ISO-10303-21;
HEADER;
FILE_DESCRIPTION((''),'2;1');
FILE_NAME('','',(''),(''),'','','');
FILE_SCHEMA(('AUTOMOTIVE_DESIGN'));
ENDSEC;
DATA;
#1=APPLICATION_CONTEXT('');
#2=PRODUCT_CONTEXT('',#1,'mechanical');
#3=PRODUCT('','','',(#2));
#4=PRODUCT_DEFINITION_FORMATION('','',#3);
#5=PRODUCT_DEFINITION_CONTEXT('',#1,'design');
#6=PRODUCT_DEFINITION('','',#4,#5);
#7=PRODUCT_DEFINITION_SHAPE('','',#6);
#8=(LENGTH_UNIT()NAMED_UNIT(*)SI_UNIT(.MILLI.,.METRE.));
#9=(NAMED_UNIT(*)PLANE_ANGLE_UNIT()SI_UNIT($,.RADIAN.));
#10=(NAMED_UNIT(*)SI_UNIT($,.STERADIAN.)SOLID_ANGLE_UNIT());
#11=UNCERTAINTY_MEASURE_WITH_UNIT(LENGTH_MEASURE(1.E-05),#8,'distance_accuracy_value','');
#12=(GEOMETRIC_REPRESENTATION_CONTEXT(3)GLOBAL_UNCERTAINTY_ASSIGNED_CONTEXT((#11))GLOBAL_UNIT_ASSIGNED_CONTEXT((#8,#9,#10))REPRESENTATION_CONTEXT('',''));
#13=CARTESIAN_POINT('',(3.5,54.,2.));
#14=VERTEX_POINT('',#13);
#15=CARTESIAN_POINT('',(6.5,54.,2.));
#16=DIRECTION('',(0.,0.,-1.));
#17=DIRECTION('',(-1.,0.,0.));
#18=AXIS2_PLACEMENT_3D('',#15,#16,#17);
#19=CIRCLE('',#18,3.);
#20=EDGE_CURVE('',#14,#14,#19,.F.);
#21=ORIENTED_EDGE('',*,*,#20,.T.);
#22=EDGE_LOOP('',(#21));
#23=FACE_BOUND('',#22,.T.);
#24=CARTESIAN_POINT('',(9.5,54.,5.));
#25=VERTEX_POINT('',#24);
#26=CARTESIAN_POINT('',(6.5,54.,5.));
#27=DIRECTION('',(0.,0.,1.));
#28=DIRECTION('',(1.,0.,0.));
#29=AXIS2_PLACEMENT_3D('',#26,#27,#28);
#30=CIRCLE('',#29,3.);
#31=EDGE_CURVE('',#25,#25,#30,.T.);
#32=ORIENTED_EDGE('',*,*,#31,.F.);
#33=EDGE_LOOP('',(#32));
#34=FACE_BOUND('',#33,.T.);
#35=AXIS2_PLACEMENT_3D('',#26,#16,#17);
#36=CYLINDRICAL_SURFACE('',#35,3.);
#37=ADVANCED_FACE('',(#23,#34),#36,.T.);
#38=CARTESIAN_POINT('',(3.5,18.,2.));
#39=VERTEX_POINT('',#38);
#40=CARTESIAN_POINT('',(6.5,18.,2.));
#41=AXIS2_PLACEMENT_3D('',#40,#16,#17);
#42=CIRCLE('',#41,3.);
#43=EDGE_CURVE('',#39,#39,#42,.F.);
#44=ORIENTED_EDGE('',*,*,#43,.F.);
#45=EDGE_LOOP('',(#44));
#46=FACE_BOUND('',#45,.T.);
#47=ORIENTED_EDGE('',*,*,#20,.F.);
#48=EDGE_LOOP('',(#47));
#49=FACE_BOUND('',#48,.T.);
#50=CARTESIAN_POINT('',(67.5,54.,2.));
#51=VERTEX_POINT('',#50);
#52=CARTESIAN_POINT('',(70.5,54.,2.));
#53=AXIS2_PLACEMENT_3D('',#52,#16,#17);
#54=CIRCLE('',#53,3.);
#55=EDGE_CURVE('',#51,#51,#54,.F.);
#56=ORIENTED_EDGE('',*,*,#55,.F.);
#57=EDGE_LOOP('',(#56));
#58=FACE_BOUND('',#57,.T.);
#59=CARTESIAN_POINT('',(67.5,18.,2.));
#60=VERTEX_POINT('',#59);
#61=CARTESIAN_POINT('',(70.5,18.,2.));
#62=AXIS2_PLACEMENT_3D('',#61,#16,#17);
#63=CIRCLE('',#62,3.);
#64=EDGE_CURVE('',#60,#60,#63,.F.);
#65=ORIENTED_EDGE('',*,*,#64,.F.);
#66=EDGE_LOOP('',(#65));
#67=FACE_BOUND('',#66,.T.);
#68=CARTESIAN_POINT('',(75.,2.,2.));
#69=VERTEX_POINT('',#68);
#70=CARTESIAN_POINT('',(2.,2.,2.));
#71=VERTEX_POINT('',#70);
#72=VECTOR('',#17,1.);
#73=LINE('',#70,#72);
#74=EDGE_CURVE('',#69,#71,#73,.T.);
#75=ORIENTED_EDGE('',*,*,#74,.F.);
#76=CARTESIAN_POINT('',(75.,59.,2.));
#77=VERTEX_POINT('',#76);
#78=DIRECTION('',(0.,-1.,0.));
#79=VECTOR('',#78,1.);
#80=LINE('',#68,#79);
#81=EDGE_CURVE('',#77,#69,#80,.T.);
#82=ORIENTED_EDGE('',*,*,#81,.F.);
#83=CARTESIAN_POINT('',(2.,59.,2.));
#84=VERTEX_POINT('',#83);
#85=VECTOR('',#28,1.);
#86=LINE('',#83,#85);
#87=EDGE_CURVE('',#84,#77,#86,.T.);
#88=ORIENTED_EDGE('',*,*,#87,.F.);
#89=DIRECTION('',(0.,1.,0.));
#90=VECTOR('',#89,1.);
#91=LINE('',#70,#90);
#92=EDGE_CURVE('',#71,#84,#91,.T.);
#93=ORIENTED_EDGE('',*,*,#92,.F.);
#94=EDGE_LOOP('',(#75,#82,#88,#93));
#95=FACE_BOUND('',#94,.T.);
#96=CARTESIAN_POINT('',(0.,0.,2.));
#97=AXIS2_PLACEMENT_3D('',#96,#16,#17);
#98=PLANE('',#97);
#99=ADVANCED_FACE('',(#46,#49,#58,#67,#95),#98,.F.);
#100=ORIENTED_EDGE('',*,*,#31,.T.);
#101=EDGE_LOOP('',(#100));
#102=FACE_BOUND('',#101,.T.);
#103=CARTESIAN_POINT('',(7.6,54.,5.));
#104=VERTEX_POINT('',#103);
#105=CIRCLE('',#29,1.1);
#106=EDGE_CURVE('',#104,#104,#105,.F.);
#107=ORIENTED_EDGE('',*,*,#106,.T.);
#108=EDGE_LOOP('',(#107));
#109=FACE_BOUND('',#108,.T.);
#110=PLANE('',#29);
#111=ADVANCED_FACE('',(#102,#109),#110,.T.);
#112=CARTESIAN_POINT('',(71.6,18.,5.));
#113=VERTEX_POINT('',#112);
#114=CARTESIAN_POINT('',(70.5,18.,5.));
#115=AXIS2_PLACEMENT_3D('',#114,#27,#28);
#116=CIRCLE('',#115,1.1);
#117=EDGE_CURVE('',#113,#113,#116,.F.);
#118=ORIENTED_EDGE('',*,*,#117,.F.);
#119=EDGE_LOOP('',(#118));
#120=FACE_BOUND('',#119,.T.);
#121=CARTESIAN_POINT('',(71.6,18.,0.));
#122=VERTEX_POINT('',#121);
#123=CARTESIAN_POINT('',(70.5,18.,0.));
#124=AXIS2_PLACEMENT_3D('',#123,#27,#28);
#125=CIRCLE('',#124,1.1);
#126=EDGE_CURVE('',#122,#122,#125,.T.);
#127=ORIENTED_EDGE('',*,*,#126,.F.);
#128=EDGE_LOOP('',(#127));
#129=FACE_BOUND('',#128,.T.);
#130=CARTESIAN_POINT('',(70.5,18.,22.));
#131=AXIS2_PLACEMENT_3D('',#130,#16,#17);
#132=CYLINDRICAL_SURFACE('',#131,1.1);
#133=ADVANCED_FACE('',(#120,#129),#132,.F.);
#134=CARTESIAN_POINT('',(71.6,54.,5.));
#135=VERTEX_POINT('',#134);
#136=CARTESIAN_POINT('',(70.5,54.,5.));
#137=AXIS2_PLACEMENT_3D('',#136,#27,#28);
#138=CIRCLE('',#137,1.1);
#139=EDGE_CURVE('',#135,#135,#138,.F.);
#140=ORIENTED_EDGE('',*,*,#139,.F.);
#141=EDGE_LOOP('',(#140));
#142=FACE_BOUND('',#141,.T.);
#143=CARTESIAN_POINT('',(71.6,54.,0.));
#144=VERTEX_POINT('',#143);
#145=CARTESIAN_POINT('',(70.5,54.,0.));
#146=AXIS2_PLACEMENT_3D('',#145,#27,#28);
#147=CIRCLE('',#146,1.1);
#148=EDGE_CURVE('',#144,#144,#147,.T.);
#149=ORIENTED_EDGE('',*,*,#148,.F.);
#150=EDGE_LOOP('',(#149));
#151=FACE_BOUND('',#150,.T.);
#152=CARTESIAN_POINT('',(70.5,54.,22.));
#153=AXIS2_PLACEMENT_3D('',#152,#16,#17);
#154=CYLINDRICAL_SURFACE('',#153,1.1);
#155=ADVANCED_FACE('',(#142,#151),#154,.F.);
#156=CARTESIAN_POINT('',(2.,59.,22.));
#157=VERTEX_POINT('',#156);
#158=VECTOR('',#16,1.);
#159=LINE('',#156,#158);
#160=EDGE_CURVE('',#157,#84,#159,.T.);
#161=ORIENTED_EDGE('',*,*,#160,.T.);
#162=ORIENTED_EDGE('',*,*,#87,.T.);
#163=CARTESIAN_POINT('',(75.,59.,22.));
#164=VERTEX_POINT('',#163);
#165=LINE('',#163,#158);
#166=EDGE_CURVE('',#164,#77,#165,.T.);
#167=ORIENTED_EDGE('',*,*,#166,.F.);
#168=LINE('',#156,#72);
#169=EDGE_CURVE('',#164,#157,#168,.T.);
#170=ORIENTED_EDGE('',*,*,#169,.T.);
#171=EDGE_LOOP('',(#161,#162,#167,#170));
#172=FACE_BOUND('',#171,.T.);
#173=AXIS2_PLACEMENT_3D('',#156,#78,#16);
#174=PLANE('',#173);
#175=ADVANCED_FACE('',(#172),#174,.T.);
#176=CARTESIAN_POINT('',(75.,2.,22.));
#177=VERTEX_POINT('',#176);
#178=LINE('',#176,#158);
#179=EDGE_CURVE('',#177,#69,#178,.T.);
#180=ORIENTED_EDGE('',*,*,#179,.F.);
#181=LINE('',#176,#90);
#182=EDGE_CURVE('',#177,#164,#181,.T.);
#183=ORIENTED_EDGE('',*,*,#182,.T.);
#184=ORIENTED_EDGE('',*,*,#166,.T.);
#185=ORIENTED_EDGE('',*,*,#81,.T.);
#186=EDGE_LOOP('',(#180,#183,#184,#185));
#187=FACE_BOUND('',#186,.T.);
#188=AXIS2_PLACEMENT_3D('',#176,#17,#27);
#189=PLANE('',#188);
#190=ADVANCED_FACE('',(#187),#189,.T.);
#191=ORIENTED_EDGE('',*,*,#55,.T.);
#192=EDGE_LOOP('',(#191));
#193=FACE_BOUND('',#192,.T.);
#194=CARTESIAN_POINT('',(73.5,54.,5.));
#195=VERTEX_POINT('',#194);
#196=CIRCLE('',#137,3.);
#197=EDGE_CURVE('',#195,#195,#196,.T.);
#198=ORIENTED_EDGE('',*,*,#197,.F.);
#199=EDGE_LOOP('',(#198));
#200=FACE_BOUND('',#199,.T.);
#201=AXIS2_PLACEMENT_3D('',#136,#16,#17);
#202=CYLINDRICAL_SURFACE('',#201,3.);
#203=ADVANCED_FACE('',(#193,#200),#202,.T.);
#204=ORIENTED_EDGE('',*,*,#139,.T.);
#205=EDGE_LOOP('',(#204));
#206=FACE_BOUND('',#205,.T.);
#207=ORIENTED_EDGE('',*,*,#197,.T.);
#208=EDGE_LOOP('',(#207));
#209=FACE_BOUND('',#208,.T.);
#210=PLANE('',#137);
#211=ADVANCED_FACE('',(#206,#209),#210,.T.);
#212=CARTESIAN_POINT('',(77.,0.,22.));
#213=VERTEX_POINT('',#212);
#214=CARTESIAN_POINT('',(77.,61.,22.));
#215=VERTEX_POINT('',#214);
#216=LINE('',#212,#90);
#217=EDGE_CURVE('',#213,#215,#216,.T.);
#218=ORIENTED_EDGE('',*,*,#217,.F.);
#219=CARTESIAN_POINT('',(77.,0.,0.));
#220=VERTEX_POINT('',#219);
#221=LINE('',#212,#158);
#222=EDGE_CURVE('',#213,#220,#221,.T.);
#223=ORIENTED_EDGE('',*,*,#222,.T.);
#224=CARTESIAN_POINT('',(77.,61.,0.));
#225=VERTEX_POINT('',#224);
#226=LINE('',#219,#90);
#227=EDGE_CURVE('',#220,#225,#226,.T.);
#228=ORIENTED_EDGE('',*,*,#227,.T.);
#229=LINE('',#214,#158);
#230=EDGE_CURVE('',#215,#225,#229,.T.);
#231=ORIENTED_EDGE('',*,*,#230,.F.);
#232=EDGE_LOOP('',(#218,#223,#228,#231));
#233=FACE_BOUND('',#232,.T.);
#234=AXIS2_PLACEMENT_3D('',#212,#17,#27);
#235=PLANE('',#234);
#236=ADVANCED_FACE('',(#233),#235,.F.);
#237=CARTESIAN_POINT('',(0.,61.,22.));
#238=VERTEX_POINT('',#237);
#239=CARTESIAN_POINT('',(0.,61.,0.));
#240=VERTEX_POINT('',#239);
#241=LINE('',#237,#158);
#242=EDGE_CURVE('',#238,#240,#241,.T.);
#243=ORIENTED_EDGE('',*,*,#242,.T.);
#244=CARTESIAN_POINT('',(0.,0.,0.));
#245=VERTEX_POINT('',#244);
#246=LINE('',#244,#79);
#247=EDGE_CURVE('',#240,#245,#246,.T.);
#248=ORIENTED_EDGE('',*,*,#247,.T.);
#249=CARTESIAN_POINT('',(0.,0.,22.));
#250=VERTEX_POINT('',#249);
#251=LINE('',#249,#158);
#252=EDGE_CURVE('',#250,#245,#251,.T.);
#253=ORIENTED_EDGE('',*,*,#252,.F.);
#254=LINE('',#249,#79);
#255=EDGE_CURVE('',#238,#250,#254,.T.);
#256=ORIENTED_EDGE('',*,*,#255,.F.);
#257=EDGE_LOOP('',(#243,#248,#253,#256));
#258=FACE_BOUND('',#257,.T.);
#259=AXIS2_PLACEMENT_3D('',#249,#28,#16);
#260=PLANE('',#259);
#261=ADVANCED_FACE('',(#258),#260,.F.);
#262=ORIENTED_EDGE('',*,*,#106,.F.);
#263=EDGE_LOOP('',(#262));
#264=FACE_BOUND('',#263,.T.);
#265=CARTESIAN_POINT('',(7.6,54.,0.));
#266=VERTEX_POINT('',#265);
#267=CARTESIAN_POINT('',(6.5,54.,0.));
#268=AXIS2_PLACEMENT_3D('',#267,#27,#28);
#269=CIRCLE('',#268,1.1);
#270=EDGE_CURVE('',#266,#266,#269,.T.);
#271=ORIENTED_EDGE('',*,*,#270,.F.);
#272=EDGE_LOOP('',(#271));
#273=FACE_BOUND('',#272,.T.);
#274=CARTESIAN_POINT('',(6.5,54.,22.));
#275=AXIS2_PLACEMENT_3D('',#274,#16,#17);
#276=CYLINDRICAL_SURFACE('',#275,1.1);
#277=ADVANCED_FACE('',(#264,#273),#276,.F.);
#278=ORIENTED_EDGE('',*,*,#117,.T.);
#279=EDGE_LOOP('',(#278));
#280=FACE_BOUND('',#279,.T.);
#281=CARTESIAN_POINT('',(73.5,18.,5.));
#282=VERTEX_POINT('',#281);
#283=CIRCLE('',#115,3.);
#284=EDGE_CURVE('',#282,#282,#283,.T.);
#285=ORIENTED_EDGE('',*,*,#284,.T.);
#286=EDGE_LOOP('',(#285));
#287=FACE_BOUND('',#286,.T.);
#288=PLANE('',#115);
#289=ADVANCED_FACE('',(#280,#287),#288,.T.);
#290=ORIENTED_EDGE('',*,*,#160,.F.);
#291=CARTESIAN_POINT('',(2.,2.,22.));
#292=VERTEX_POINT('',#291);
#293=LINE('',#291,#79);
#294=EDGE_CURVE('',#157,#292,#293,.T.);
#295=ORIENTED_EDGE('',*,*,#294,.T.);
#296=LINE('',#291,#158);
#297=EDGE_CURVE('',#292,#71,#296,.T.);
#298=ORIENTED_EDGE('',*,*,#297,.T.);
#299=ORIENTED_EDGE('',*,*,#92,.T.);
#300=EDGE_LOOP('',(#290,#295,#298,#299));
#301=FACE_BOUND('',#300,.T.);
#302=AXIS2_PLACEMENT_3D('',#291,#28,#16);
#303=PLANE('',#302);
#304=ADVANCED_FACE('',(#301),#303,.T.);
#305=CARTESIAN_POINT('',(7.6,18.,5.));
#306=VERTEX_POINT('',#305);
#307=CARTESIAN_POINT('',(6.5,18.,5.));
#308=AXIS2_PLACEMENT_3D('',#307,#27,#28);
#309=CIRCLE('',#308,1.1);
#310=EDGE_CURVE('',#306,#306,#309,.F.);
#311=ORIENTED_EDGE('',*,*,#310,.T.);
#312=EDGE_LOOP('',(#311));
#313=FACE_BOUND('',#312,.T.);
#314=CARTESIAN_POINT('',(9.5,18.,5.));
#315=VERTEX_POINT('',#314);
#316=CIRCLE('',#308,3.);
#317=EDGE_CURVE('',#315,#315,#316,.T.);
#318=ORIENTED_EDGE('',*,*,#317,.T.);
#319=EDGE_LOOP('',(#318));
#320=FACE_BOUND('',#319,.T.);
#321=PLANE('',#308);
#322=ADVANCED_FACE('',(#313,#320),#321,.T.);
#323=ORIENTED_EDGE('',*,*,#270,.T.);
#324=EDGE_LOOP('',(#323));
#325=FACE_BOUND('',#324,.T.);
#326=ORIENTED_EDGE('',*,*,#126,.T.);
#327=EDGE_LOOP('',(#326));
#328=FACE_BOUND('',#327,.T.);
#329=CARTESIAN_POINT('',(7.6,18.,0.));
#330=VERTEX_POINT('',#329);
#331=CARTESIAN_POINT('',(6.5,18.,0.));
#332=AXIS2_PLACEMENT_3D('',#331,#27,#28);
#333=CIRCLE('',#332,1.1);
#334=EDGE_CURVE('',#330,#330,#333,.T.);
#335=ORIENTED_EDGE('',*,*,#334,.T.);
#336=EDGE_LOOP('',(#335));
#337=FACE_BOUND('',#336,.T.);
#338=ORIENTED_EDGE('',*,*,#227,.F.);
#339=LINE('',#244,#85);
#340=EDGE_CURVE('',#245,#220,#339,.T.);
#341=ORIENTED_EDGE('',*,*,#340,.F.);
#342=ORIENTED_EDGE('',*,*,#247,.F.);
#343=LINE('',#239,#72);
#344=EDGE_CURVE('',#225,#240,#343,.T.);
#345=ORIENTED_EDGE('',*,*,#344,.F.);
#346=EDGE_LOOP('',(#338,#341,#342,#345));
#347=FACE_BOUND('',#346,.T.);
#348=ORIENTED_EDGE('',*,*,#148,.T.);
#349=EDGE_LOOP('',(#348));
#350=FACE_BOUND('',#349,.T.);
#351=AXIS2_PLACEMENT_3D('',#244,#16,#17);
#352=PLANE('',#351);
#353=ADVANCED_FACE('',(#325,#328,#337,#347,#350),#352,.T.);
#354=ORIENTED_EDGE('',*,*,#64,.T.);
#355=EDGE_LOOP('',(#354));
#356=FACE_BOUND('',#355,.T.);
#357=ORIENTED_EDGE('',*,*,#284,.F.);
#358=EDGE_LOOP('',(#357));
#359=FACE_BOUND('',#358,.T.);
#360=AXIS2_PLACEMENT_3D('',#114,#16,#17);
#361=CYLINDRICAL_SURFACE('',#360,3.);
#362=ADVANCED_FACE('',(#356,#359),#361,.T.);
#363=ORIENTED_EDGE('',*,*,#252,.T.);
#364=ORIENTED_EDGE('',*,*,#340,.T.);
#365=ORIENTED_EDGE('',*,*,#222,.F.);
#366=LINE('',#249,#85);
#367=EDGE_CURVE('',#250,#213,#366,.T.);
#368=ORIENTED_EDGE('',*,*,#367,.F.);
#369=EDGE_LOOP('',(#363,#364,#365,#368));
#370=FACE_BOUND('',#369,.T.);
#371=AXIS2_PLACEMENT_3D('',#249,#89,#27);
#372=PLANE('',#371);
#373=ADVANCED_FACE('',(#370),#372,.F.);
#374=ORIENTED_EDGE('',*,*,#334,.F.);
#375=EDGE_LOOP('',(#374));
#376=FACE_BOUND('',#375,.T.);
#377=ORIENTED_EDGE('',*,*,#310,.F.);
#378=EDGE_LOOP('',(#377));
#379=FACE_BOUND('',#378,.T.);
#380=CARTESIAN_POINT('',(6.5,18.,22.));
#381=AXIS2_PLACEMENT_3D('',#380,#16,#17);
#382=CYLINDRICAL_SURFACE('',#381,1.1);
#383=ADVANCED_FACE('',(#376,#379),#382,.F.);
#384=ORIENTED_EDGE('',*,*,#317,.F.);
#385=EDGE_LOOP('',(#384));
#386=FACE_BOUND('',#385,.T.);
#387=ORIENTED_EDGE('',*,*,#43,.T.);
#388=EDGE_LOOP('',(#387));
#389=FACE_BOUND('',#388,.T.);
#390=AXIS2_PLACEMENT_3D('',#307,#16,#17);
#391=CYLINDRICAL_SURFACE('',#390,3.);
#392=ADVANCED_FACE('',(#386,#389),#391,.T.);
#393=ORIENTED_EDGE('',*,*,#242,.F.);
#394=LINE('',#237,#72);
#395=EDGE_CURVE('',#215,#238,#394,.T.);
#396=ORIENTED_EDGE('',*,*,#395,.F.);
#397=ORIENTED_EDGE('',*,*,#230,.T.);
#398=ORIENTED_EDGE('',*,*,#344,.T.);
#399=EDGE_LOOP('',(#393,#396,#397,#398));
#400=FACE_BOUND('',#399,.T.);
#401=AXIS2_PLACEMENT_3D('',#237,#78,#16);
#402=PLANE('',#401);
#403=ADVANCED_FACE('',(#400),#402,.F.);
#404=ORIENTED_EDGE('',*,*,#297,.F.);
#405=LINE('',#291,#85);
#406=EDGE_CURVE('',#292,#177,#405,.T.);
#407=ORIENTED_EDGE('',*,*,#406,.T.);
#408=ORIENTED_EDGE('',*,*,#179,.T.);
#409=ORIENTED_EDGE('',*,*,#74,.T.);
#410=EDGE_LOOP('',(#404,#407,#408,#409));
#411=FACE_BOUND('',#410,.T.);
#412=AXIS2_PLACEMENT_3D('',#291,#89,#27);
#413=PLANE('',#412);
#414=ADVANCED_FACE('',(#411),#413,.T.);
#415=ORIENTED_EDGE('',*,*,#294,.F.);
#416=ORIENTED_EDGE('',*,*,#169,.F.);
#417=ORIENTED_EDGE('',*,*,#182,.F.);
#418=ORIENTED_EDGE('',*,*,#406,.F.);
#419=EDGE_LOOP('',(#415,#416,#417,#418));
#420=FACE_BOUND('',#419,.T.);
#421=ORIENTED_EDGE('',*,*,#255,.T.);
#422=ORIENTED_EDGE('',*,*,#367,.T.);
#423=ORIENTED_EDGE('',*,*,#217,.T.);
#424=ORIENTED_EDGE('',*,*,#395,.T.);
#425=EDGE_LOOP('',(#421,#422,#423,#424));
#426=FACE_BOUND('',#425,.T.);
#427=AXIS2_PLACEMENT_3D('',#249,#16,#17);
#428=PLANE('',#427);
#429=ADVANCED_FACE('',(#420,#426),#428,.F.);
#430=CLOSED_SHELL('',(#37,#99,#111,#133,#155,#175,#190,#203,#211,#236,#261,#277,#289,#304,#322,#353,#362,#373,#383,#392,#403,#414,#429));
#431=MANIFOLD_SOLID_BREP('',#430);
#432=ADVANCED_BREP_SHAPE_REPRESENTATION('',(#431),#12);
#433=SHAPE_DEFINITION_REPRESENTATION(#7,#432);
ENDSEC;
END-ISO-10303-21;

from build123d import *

# Parameters (mm, degrees)
SKETCH_1_W          = 77
SKETCH_1_H          = 61
EXTRUDE_1_DEPTH     = 22
SKETCH_2_W          = 73
SKETCH_2_H          = 57
CUT_EXTRUDE_1_DEPTH = 101.667770413
SKETCH_3_W          = 77
SKETCH_3_H          = 61
EXTRUDE_2_DEPTH     = 2
SKETCH_4_R          = 3
EXTRUDE_3_DEPTH     = 5
SKETCH_5_R          = 1.1
CUT_EXTRUDE_2_DEPTH = 101.667770413


with BuildPart() as part:
    # 草图1 → 凸台-拉伸1 (new body)
    with BuildSketch(Plane.XY):
        with Locations((38.5, 30.5)):
            Rectangle(SKETCH_1_W, SKETCH_1_H)
    extrude(amount=EXTRUDE_1_DEPTH)

    # 草图2 → 切除-拉伸1 (cut, through all)
    with BuildSketch(Plane.XY):
        with Locations((38.5, 30.5)):
            Rectangle(SKETCH_2_W, SKETCH_2_H)
    extrude(amount=CUT_EXTRUDE_1_DEPTH, mode=Mode.SUBTRACT)

    # 草图3 → 凸台-拉伸2 (add)
    with BuildSketch(Plane.XY):
        with Locations((38.5, 30.5)):
            Rectangle(SKETCH_3_W, SKETCH_3_H)
    extrude(amount=EXTRUDE_2_DEPTH)

    # 草图4 → 凸台-拉伸3 (add)
    with BuildSketch(Plane.XY):
        with Locations(Location((6.5, 18, 0), (0, 0, 180))):
            Circle(SKETCH_4_R)
        with Locations(Location((70.5, 18, 0), (0, 0, 180))):
            Circle(SKETCH_4_R)
        with Locations(Location((6.5, 54, 0), (0, 0, 180))):
            Circle(SKETCH_4_R)
        with Locations(Location((70.5, 54, 0), (0, 0, 180))):
            Circle(SKETCH_4_R)
    extrude(amount=EXTRUDE_3_DEPTH)

    # 草图5 → 切除-拉伸2 (cut, through all)
    with BuildSketch(Plane.XY):
        with Locations((6.5, 18)):
            Circle(SKETCH_5_R)
        with Locations((70.5, 18)):
            Circle(SKETCH_5_R)
        with Locations((6.5, 54)):
            Circle(SKETCH_5_R)
        with Locations((70.5, 54)):
            Circle(SKETCH_5_R)
    extrude(amount=CUT_EXTRUDE_2_DEPTH, mode=Mode.SUBTRACT)


solid = part.part
